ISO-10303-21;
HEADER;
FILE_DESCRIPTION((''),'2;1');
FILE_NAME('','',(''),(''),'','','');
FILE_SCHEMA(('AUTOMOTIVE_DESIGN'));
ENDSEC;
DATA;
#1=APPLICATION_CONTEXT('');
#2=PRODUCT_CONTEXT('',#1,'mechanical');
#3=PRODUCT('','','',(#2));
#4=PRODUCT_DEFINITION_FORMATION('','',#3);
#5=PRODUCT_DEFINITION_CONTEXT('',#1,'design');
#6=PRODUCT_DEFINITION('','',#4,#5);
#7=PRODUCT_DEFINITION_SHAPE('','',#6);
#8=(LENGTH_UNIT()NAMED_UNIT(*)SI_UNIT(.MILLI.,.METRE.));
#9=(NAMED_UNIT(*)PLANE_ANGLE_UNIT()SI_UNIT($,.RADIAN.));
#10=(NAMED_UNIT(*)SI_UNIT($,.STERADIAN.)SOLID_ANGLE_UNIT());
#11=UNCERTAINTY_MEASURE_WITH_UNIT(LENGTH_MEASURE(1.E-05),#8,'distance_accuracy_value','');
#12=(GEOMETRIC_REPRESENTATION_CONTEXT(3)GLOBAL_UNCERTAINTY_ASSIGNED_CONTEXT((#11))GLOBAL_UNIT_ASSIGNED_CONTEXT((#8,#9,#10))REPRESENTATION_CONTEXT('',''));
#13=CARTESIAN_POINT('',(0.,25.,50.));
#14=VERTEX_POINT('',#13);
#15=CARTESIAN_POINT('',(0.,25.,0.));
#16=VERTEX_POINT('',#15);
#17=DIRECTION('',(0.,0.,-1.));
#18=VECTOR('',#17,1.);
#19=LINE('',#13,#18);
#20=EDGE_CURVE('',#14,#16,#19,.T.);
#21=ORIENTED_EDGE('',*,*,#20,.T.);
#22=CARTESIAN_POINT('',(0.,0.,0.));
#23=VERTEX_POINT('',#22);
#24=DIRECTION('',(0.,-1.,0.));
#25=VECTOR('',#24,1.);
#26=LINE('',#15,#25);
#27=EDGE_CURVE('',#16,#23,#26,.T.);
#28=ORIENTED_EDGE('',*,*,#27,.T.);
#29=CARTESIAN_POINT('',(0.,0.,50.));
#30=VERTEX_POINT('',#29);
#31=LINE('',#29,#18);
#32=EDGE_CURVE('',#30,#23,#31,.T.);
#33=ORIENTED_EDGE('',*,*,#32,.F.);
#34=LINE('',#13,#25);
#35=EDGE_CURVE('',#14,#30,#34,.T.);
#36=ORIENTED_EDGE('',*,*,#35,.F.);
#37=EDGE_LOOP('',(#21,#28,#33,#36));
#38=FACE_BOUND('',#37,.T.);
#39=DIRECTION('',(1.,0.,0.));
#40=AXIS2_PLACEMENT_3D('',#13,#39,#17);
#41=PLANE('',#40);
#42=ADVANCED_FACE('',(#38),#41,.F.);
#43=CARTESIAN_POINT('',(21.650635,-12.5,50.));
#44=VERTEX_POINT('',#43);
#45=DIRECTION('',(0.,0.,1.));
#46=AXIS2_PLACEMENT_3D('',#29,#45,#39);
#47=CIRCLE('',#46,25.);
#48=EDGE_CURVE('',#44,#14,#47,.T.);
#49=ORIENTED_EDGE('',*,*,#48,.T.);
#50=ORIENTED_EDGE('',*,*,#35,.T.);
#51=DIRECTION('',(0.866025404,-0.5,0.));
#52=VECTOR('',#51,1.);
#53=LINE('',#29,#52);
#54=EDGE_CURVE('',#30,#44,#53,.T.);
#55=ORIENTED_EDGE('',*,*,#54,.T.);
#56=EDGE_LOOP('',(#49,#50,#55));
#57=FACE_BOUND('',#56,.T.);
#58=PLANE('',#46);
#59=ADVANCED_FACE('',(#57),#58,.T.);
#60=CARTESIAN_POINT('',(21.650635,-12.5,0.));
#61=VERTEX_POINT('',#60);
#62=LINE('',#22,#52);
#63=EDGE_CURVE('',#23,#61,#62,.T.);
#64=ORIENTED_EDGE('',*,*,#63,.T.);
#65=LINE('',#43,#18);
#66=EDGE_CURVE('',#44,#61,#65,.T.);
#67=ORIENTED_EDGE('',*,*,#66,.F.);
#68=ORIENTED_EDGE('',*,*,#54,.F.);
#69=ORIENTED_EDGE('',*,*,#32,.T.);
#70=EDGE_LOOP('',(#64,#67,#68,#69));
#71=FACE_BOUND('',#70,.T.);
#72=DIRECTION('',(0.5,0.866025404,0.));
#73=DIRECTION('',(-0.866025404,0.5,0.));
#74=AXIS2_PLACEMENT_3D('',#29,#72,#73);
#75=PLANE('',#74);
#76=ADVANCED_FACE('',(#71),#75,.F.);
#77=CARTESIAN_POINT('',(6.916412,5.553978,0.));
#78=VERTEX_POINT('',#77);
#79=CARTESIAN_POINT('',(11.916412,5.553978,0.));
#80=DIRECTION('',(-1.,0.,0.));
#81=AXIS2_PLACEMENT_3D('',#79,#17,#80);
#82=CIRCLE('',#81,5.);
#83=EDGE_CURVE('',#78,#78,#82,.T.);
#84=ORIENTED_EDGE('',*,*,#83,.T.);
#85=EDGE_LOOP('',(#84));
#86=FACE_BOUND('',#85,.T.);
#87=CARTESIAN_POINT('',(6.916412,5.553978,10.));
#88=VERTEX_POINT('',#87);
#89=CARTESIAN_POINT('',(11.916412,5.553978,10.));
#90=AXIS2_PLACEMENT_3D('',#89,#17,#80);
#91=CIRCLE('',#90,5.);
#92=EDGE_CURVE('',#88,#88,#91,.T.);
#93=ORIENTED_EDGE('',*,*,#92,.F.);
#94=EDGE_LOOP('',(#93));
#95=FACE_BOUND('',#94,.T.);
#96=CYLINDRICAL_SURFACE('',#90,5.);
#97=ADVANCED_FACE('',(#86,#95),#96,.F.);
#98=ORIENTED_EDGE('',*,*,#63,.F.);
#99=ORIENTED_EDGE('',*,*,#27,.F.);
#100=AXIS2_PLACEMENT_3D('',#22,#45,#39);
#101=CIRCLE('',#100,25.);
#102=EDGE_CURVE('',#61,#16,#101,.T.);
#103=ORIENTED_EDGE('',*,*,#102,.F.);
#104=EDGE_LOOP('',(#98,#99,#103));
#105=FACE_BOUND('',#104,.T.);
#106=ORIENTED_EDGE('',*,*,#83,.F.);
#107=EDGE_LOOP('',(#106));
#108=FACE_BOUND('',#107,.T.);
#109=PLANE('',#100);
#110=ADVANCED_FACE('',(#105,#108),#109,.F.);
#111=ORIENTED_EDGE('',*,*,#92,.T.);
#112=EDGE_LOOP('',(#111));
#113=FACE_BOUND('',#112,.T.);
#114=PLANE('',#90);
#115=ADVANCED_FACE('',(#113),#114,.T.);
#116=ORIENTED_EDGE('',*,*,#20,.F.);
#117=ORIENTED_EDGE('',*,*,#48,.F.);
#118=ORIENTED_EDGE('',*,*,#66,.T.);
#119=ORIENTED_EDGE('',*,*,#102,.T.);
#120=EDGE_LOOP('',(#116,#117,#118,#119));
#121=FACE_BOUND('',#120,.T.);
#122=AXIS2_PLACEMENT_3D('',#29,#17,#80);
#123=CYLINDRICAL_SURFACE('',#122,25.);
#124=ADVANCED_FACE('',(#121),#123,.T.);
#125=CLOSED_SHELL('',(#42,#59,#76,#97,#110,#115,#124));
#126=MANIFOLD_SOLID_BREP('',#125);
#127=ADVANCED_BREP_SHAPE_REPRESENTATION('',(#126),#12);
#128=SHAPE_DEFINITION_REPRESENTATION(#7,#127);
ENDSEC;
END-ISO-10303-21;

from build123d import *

# Parameters (mm, degrees)
SALIENTE_EXTRUIR1_DEPTH = 50
CROQUIS2_R              = 5
CORTAR_EXTRUIR1_DEPTH   = 10


with BuildPart() as part:
    # Croquis1 → Saliente-Extruir1 (new body)
    with BuildSketch(Plane.XY):
        with BuildLine():
            Line((0, 25), (0, 0))
            Line((0, 0), (21.650635095, -12.5))
            ThreePointArc((21.650635095, -12.5), (21.650635095, 12.5), (0, 25))
        make_face()
    extrude(amount=SALIENTE_EXTRUIR1_DEPTH)

    # Croquis2 → Cortar-Extruir1 (cut)
    with BuildSketch(Plane(origin=(0, 0, 0), x_dir=(-1, 0, 0), z_dir=(0, 0, -1))):
        with Locations((-11.916411952, 5.553977582)):
            Circle(CROQUIS2_R)
    extrude(amount=-CORTAR_EXTRUIR1_DEPTH, mode=Mode.SUBTRACT)


solid = part.part
